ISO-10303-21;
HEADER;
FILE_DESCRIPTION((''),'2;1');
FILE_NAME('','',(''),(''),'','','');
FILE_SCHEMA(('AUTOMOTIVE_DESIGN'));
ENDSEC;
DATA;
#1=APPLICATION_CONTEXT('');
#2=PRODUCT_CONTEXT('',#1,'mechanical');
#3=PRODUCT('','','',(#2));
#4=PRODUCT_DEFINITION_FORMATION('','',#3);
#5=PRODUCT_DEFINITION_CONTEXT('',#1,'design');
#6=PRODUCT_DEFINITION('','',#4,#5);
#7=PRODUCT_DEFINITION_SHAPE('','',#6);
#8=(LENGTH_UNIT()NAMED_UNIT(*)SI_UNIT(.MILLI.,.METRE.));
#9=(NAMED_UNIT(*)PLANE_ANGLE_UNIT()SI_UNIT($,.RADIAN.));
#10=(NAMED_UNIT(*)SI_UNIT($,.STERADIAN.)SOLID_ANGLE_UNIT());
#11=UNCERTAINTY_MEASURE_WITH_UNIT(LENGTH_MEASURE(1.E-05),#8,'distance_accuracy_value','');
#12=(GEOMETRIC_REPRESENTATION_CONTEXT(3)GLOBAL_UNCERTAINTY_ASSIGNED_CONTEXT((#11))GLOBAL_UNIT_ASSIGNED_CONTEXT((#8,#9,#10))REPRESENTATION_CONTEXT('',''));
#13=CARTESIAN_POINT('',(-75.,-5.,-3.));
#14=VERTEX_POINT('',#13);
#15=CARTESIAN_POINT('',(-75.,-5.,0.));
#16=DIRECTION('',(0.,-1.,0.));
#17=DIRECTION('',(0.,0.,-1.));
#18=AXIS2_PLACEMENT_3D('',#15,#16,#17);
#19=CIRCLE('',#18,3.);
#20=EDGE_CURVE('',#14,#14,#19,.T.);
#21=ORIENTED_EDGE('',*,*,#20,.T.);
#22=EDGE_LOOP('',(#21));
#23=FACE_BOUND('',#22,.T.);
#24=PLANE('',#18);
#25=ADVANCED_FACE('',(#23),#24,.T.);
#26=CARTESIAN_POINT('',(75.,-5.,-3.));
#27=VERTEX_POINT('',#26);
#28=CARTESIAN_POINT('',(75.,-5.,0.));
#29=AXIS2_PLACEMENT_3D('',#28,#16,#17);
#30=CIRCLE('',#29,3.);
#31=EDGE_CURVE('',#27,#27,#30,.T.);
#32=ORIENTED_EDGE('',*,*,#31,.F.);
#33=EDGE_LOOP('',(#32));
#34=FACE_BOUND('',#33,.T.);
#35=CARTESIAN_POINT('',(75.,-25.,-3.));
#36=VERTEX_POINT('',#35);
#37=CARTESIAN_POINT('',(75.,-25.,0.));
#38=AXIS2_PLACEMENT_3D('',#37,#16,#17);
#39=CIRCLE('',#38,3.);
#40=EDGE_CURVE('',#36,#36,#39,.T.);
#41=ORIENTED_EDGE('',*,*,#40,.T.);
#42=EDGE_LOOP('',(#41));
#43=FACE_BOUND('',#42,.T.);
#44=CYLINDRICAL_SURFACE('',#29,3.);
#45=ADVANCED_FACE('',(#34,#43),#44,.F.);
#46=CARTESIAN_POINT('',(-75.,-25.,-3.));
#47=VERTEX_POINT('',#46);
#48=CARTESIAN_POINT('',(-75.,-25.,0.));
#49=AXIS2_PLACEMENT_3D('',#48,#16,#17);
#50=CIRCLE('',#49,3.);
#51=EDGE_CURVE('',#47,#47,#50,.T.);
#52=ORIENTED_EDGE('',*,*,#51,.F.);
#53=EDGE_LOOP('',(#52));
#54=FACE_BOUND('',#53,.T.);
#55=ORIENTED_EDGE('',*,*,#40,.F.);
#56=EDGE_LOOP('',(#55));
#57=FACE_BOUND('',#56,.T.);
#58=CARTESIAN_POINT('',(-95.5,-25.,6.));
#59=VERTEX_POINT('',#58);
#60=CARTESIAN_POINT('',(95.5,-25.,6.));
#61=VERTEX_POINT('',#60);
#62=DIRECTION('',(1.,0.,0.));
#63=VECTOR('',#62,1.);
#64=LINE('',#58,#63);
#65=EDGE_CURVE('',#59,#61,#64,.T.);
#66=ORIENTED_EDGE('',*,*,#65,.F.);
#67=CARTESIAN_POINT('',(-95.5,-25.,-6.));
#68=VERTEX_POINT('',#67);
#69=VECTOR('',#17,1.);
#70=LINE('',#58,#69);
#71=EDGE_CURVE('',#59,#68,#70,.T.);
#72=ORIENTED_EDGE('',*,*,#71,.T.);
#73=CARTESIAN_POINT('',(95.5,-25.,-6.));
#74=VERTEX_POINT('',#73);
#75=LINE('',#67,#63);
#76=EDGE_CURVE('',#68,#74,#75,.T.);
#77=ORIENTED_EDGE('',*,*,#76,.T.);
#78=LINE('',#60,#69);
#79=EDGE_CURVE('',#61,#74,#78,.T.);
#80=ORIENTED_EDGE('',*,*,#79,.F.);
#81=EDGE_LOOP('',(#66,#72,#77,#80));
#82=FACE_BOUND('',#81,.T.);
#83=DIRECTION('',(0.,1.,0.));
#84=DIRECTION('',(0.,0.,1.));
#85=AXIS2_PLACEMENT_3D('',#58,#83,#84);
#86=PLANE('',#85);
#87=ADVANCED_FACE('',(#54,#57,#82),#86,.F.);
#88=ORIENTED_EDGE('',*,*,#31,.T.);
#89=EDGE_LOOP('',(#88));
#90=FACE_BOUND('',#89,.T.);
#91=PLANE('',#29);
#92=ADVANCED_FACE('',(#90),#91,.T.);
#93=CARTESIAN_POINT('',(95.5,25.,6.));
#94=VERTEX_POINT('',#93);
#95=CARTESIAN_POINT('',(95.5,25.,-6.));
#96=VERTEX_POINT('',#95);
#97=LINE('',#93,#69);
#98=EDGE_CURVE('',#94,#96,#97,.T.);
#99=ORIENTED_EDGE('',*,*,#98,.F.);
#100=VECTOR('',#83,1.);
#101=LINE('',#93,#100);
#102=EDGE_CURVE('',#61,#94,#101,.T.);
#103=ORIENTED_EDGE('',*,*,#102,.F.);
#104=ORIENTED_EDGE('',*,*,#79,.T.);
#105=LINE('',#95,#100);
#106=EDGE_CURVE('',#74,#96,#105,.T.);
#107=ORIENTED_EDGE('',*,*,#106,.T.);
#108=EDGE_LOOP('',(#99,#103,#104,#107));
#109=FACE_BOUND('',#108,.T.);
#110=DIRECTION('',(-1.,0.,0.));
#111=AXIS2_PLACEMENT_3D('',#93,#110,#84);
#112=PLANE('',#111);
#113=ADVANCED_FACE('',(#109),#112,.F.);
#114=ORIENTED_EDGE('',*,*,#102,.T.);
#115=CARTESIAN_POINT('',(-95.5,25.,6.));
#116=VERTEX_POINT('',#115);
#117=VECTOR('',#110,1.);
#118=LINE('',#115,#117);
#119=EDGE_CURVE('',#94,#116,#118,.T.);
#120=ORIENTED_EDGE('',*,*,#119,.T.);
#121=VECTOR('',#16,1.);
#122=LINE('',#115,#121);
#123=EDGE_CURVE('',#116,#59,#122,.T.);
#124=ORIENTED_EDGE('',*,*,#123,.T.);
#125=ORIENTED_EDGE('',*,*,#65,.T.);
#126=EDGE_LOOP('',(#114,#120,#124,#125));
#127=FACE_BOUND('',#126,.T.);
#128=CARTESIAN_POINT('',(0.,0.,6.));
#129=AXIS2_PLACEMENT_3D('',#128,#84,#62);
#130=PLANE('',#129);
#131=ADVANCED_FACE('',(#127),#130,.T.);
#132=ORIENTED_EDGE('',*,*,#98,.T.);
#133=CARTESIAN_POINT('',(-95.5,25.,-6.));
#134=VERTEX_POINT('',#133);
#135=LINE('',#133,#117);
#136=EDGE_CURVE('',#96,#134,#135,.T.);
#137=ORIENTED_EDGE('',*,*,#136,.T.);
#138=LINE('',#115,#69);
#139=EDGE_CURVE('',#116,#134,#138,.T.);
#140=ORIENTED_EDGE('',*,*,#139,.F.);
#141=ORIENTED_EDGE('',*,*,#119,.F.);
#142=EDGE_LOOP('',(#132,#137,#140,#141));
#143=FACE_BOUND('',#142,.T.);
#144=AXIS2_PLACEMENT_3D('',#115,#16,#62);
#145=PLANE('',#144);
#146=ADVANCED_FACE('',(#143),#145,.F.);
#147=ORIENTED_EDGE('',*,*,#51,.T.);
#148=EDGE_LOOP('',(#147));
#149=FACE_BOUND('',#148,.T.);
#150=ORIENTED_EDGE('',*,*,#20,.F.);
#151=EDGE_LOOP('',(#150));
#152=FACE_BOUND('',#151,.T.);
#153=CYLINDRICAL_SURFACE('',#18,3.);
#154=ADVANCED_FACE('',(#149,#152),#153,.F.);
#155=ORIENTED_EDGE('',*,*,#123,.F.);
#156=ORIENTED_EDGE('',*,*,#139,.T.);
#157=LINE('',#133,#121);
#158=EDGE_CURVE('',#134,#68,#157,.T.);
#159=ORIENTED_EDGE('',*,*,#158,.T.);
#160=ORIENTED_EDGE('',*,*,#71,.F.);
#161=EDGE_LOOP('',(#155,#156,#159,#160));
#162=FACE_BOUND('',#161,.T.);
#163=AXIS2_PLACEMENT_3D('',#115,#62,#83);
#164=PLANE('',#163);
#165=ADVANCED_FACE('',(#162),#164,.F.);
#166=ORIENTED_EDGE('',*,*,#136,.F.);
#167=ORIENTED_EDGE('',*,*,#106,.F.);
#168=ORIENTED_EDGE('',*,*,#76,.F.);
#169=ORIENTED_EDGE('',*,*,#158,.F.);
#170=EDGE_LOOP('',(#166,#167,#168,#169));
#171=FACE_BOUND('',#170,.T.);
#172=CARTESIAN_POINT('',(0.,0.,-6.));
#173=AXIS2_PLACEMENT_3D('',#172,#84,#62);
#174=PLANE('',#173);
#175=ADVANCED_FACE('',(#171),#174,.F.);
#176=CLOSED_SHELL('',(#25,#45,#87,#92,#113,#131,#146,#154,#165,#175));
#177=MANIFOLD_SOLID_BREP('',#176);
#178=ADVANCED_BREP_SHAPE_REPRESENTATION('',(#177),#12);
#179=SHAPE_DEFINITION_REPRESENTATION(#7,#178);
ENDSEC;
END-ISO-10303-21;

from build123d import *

# Parameters (mm, degrees)
ESBO_O1_W                = 191
ESBO_O1_H                = 50
RESSALTO_EXTRUS_O1_DEPTH = 6
ESBO_O4_R                = 3
CORTE_EXTRUS_O1_DEPTH    = 20


with BuildPart() as part:
    # Esboço1 → Ressalto-extrusão1 (new, symmetric)
    with BuildSketch(Plane.XY):
        Rectangle(ESBO_O1_W, ESBO_O1_H)
    extrude(amount=RESSALTO_EXTRUS_O1_DEPTH, both=True)

    # Esboço4 → Corte-extrusão1 (cut)
    with BuildSketch(Plane(origin=(0, -25, 0), x_dir=(-1, 0, 0), z_dir=(0, -1, 0))):
        with Locations(Location((75, 0, 0), (0, 0, 90))):
            Circle(ESBO_O4_R)
        with Locations(Location((-75, 0, 0), (0, 0, 90))):
            Circle(ESBO_O4_R)
    extrude(amount=-CORTE_EXTRUS_O1_DEPTH, mode=Mode.SUBTRACT)


solid = part.part
